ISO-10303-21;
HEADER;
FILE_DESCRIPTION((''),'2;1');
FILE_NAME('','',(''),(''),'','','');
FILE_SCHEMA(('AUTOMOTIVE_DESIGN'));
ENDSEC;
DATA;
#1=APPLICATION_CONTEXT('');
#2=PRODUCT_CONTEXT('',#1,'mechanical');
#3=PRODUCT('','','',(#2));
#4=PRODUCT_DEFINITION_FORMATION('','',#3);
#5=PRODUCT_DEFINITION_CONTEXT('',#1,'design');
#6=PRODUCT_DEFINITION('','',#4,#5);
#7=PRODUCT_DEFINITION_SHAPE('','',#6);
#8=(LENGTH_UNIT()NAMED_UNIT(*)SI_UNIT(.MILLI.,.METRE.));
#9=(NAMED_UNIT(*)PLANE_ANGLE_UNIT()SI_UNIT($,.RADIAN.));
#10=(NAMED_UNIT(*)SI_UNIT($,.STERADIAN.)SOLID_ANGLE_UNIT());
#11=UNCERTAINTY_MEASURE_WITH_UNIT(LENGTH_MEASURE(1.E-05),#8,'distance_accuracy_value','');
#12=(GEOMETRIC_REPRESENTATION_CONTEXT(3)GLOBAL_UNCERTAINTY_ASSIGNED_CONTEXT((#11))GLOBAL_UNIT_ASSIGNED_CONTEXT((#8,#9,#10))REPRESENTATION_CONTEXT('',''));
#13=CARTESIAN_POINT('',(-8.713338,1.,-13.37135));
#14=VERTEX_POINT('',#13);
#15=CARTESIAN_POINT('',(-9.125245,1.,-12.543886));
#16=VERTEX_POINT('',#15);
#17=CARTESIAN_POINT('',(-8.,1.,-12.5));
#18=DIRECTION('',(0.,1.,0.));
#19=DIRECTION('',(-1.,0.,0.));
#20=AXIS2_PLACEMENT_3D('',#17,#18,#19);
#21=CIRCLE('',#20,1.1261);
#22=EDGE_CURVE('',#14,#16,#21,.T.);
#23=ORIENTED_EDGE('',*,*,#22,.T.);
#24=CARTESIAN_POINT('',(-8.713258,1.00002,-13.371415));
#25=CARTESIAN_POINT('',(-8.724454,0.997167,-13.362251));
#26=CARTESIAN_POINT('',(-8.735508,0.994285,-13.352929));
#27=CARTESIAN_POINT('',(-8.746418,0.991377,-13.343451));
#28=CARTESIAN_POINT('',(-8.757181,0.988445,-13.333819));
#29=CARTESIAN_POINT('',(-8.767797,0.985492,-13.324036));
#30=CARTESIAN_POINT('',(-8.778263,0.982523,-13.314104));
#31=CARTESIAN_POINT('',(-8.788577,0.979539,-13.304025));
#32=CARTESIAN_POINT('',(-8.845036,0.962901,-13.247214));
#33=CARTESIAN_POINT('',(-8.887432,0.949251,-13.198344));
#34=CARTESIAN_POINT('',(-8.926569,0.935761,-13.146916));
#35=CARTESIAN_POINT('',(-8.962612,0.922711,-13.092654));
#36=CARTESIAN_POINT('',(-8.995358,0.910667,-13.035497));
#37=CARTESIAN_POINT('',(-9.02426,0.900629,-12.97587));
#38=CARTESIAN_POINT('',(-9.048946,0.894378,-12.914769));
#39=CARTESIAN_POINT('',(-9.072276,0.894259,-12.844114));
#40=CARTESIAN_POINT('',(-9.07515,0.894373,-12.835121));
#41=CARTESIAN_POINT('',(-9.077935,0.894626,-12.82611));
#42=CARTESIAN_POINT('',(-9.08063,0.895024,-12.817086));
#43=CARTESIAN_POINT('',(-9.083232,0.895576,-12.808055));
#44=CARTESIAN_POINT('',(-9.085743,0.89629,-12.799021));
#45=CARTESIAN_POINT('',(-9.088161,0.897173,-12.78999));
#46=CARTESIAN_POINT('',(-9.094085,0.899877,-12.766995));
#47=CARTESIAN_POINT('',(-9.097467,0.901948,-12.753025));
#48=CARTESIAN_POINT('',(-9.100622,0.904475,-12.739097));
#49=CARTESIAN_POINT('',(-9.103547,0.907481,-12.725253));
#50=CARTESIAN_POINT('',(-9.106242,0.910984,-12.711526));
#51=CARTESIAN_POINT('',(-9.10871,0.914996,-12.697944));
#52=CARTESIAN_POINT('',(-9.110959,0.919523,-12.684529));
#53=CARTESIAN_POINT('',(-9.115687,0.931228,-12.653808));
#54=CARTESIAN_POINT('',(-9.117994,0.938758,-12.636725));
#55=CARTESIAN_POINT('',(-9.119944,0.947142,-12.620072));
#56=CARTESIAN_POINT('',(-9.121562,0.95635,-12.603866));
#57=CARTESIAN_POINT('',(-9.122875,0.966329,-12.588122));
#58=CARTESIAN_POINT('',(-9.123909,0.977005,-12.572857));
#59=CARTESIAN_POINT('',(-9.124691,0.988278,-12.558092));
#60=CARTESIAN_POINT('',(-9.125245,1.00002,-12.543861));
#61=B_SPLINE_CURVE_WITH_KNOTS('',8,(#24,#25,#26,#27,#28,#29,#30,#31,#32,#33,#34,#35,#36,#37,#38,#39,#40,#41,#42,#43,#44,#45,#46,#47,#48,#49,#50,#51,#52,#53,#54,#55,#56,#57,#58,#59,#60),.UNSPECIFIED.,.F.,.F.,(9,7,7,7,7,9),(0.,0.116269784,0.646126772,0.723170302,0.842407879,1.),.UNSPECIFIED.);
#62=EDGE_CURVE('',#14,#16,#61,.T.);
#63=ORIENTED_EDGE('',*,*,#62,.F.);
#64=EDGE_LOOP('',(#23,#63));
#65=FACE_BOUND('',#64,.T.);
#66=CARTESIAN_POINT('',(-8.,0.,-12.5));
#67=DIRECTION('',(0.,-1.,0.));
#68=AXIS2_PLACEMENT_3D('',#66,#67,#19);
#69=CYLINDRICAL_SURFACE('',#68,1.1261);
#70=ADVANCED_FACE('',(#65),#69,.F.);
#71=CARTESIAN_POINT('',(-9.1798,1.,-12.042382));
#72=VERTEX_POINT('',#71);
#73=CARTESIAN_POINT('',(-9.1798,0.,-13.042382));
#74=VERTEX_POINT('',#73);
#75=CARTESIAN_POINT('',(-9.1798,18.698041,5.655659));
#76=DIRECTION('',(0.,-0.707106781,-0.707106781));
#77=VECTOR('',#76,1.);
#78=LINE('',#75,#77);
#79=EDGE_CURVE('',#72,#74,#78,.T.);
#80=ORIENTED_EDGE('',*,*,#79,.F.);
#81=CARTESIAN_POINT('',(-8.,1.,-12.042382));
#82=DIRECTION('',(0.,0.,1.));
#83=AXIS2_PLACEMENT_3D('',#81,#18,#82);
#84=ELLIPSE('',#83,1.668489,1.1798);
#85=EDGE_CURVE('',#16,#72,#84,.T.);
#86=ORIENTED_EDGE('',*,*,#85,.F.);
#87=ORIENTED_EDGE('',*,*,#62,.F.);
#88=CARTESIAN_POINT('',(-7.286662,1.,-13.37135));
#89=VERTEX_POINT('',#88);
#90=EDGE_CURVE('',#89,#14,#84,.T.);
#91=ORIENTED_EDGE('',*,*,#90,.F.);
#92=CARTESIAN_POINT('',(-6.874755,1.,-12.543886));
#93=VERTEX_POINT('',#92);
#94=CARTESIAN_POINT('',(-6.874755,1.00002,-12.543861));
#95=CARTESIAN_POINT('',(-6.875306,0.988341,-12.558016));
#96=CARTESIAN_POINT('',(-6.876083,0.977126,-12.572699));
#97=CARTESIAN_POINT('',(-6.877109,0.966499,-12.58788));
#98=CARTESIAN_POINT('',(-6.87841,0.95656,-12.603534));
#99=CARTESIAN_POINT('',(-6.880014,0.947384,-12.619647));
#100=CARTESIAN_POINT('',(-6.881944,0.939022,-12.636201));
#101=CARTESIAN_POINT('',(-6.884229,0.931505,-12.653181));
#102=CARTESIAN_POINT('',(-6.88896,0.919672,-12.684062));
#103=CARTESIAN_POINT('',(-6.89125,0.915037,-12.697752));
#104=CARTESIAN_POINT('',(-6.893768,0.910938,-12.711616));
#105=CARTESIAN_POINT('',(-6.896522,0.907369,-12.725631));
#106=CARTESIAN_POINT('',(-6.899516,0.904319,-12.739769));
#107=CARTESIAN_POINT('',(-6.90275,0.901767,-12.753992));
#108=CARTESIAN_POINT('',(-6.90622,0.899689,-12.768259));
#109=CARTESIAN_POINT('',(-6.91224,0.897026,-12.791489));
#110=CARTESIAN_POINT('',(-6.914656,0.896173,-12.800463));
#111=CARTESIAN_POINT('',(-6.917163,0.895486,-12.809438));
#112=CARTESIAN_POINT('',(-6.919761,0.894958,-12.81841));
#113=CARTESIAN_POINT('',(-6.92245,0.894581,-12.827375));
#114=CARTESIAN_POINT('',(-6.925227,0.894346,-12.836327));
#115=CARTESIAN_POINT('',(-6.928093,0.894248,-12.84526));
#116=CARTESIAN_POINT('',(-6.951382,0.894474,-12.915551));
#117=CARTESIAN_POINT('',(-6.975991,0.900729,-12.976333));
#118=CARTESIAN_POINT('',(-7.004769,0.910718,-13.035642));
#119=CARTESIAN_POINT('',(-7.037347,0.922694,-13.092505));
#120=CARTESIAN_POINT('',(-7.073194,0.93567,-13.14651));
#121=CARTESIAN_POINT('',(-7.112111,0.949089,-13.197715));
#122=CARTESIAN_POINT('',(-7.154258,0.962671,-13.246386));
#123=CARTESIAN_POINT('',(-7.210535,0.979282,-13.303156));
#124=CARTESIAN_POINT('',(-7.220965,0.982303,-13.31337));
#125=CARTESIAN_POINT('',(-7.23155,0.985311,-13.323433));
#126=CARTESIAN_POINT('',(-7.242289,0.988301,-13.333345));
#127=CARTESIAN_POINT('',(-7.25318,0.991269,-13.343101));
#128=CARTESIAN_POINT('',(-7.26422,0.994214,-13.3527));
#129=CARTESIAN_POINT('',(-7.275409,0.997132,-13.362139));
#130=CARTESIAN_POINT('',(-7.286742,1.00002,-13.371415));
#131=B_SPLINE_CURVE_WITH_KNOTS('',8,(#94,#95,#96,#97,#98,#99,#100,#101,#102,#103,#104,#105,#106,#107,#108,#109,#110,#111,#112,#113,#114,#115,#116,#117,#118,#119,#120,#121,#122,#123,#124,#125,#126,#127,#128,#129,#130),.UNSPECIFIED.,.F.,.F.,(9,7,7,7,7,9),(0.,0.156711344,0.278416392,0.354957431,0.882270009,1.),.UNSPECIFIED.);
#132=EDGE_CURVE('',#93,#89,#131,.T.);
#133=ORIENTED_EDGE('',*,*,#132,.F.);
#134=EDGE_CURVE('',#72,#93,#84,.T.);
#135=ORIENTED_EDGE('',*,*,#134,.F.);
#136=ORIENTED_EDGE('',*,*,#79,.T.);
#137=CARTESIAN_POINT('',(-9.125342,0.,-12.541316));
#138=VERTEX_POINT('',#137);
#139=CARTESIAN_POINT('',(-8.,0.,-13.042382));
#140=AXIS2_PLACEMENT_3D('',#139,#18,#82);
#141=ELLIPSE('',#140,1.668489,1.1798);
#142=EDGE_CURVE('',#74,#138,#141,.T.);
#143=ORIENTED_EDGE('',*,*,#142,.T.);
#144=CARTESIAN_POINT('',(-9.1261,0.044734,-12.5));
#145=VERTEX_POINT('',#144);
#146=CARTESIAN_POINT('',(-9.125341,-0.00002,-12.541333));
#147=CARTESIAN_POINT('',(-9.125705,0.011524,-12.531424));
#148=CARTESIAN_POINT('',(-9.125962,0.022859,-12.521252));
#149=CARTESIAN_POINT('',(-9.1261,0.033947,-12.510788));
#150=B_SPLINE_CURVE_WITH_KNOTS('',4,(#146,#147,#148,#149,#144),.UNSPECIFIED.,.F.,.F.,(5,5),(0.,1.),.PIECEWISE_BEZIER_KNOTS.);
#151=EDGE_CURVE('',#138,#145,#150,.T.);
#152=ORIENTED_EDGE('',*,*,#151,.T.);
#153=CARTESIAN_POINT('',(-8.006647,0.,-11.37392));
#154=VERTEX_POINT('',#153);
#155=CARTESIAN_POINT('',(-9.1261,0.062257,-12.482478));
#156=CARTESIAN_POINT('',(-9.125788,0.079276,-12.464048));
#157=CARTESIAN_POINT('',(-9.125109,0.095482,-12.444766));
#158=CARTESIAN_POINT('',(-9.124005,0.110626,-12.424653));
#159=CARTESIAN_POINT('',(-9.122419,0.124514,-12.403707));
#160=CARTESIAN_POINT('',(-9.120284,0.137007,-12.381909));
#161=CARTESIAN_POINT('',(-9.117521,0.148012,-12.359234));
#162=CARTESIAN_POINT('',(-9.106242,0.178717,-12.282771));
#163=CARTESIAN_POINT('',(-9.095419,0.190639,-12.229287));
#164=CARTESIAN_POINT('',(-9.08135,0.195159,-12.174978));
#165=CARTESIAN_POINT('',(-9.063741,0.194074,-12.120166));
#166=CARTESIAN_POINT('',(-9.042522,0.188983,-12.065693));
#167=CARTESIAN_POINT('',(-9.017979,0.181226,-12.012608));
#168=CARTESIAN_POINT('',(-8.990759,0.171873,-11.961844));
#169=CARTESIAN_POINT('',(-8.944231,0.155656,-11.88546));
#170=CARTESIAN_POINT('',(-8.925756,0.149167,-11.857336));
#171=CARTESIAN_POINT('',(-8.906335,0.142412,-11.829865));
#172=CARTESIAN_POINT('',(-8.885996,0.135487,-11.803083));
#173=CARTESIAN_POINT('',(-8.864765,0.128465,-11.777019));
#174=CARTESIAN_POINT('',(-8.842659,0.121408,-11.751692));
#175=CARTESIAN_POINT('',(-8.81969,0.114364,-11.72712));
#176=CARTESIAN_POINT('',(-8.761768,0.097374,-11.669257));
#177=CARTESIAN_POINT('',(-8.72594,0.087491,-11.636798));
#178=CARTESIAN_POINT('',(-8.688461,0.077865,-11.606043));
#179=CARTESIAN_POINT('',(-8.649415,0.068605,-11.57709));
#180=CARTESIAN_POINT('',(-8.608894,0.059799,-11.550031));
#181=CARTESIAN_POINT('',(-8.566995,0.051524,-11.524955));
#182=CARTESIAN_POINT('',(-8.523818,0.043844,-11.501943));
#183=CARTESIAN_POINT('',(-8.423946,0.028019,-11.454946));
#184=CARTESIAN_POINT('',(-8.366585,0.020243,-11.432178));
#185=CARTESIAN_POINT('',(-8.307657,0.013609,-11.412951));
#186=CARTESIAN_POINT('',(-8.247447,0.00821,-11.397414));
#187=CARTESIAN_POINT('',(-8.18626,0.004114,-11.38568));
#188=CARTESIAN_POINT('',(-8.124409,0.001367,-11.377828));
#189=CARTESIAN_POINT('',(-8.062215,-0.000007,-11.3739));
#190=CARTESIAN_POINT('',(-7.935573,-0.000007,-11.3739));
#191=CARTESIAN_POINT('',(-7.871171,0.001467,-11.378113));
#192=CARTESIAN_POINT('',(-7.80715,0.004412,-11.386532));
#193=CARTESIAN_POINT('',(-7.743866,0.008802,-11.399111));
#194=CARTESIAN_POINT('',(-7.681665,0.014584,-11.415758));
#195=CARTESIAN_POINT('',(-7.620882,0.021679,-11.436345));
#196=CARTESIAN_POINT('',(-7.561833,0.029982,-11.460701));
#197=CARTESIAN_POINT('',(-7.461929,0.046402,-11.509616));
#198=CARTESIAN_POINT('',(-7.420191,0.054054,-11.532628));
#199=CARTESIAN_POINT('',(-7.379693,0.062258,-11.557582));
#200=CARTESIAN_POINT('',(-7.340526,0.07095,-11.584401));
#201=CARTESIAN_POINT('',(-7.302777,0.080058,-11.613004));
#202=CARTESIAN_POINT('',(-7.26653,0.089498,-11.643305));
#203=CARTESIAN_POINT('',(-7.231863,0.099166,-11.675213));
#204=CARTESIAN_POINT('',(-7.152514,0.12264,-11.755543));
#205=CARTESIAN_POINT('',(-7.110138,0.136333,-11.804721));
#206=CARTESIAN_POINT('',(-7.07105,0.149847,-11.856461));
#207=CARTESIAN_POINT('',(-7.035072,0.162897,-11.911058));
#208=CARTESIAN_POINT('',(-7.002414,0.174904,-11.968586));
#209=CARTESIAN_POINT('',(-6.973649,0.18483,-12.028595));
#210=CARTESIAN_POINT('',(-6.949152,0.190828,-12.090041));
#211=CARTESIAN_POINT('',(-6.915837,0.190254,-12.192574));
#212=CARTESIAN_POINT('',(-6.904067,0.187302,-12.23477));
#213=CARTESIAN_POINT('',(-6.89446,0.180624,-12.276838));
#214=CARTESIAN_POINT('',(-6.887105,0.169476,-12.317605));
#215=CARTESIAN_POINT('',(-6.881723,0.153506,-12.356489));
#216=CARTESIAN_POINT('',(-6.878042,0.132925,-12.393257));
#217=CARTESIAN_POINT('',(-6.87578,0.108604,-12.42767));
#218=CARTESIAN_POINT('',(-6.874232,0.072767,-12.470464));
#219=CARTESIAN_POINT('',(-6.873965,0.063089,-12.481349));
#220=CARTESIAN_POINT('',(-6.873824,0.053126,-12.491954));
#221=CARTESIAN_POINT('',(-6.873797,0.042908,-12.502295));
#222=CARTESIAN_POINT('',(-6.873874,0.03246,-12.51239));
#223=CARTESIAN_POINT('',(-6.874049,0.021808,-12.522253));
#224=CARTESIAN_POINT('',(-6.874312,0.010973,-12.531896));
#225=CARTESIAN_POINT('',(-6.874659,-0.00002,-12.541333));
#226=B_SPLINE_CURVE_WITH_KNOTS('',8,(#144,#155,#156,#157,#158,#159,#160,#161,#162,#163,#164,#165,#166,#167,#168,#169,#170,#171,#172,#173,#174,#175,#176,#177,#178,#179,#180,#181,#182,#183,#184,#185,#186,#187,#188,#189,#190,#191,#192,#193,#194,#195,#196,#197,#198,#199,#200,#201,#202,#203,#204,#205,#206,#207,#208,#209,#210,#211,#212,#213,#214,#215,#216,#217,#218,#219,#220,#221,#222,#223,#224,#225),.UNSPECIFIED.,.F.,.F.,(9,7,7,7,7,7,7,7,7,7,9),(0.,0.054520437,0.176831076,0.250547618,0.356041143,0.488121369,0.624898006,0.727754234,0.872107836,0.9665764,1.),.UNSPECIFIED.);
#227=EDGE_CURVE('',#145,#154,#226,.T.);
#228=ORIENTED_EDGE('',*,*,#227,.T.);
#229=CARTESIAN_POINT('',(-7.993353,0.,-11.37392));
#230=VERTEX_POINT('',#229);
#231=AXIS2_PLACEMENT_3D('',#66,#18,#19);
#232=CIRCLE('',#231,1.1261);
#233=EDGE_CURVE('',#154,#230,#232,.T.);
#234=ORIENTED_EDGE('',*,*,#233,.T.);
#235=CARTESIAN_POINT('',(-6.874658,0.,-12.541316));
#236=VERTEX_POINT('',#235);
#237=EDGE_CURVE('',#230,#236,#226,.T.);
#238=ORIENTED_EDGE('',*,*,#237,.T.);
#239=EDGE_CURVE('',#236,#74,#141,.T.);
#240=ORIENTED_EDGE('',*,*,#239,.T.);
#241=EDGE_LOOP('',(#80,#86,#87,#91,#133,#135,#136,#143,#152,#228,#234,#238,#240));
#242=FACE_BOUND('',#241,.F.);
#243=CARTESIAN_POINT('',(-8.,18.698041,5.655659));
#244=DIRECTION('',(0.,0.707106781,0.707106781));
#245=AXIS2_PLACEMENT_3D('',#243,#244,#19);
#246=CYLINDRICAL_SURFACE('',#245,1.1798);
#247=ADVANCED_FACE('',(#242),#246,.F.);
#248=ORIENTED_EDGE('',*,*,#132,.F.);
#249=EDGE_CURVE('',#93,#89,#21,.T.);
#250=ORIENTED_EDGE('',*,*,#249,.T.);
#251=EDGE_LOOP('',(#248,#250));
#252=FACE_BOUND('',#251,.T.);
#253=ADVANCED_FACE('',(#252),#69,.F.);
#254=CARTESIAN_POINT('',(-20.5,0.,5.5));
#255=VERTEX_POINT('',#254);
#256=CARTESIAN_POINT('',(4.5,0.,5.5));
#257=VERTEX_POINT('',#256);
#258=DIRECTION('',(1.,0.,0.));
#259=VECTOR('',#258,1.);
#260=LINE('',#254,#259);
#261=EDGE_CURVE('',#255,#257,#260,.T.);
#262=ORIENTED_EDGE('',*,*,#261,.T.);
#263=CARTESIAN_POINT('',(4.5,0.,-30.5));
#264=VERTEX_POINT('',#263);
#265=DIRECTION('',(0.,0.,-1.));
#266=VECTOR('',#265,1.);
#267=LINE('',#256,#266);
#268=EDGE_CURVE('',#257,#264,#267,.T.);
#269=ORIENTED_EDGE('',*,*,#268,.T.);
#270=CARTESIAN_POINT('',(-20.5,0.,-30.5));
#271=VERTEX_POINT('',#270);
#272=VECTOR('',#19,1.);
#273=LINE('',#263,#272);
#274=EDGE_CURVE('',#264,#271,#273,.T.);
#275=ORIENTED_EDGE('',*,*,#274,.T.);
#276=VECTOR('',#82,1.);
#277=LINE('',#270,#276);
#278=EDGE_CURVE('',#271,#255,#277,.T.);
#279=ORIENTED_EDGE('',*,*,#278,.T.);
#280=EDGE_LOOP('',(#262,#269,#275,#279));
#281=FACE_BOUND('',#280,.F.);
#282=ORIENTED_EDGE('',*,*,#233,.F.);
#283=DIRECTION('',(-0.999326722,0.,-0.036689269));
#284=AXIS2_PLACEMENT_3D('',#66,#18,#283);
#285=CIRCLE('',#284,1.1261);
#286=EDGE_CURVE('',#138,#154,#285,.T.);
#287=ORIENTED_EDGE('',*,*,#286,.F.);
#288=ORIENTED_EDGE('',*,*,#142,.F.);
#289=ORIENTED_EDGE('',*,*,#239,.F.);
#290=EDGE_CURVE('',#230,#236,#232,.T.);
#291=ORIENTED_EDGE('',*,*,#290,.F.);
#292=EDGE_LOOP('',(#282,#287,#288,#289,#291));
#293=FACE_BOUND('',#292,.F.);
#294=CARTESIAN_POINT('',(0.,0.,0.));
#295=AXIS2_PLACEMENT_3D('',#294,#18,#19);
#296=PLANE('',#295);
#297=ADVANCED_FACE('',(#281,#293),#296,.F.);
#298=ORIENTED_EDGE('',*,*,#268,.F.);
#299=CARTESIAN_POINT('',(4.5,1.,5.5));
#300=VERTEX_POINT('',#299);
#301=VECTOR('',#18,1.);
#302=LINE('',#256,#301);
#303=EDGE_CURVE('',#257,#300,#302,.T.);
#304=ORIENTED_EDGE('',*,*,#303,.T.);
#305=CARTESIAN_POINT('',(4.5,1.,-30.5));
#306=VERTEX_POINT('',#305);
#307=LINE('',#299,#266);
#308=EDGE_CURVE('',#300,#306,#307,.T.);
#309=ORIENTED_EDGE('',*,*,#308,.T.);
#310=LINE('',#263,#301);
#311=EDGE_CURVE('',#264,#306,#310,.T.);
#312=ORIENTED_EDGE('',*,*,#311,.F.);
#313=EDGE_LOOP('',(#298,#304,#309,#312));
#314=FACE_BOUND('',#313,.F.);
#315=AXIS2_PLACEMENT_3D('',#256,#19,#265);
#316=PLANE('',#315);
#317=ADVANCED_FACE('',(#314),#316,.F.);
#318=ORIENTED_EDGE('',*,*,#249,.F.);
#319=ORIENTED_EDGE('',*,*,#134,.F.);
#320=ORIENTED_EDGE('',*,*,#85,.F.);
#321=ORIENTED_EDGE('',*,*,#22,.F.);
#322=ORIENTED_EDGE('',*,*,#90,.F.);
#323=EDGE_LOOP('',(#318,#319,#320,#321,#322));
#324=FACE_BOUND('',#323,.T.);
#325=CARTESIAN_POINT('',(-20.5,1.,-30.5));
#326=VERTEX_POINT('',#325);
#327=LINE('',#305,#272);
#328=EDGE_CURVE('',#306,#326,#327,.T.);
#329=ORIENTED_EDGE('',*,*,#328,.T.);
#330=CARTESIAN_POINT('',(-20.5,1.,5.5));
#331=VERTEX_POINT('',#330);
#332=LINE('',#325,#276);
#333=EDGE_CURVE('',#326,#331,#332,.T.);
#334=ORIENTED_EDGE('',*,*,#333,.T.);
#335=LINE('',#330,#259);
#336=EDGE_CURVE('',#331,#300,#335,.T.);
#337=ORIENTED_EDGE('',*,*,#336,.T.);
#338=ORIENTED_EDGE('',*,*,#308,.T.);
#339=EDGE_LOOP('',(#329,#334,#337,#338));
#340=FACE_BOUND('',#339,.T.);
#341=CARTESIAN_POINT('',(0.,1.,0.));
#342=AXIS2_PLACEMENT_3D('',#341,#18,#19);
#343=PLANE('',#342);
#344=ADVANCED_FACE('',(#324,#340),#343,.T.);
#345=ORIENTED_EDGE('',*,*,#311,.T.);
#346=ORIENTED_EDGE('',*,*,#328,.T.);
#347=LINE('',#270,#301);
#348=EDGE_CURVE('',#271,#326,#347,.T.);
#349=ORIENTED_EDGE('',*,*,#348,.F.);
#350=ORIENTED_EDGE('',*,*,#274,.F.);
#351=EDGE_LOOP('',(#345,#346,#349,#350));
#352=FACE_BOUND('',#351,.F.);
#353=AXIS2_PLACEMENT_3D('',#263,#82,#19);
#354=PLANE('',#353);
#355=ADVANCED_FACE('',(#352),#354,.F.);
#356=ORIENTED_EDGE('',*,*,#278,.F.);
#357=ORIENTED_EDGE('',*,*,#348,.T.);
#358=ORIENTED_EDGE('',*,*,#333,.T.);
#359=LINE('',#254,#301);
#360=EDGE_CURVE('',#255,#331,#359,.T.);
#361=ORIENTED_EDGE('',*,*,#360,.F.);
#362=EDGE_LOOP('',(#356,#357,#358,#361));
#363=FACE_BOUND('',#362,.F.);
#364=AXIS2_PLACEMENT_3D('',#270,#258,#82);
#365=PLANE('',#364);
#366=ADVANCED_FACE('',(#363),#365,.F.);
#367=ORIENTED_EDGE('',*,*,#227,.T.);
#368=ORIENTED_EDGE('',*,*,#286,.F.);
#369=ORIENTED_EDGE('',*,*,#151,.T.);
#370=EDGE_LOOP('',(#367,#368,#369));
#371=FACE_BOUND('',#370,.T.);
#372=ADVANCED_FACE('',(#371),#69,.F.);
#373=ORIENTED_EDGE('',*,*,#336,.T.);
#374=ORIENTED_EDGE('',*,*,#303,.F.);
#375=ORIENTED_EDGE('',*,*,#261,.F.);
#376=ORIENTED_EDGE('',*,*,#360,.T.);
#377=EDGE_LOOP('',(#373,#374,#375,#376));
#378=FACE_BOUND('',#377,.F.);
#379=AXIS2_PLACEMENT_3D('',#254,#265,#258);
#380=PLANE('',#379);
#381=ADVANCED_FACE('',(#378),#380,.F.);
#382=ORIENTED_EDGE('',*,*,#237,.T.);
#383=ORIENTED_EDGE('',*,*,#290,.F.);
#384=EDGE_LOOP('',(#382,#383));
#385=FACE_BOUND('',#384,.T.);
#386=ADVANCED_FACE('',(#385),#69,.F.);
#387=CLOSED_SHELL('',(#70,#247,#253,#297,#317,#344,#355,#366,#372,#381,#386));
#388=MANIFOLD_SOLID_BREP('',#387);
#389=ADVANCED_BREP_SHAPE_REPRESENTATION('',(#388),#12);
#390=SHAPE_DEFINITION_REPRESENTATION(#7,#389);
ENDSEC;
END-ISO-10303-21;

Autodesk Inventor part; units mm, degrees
ref_plane "YZ Plane" through (0, 0, 0) normal (1, 0, 0) x (0, 1, 0)
ref_plane "XZ Plane" through (0, 0, 0) normal (0, 1, 0) x (-1, 0, 0)
ref_plane "XY Plane" through (0, 0, 0) normal (0, 0, 1) x (1, 0, 0)
sketch "Sketch1" plane through (0, 0, 0) normal (0, 1, 0) x (-1, 0, 0)
  circle A0 centre (8, -12.5) radius 1.1261
  line L0 (-4.5, -30.5) -> (20.5, -30.5)
  line L1 (20.5, -30.5) -> (20.5, 5.5)
  line L2 (20.5, 5.5) -> (-4.5, 5.5)
  line L3 (-4.5, 5.5) -> (-4.5, -30.5)
  line L4 (-4.5, -30.5) -> (20.5, 5.5) construction
  line L5 (20.5, -30.5) -> (-4.5, 5.5) construction
  dimension "d7" = 25
  dimension "d8" = 36
extrude "Extrusion1" add sketch "Sketch1" along normal blind 1
ref_plane "Work Plane1" through (16.9, 36.305, -11.9513) normal (0, 0.7071, 0.7071) x (-1, 0, 0)
sketch "Sketch2" plane through (16.9, 36.305, -11.9513) normal (0, 0.7071, 0.7071) x (-1, 0, 0)
  ellipse E0 centre (24.9, 24.5764) end of major axis (23.7739, 24.5764) minor radius 0.7963 projected
  circle A0 centre (24.9, 24.9) radius 1.1798
  ellipse E1 centre (24.9, 25.2835) end of major axis (23.7739, 25.2835) minor radius 0.7963 projected
  point P0 (16.9, 34.1223)
  dimension "d4" = 0.3236
extrude "Extrusion2" cut sketch "Sketch2" against normal through all contours E0 E1 A0 | E0 A0 E1 | E1 A0 E0 | E0 E1 | E0 A0 | E1 A0 E0 picked at (24.9476, 23.7672)
properties part number "00_Comar_Dichroic_16x25x0.2" material "Glas"
